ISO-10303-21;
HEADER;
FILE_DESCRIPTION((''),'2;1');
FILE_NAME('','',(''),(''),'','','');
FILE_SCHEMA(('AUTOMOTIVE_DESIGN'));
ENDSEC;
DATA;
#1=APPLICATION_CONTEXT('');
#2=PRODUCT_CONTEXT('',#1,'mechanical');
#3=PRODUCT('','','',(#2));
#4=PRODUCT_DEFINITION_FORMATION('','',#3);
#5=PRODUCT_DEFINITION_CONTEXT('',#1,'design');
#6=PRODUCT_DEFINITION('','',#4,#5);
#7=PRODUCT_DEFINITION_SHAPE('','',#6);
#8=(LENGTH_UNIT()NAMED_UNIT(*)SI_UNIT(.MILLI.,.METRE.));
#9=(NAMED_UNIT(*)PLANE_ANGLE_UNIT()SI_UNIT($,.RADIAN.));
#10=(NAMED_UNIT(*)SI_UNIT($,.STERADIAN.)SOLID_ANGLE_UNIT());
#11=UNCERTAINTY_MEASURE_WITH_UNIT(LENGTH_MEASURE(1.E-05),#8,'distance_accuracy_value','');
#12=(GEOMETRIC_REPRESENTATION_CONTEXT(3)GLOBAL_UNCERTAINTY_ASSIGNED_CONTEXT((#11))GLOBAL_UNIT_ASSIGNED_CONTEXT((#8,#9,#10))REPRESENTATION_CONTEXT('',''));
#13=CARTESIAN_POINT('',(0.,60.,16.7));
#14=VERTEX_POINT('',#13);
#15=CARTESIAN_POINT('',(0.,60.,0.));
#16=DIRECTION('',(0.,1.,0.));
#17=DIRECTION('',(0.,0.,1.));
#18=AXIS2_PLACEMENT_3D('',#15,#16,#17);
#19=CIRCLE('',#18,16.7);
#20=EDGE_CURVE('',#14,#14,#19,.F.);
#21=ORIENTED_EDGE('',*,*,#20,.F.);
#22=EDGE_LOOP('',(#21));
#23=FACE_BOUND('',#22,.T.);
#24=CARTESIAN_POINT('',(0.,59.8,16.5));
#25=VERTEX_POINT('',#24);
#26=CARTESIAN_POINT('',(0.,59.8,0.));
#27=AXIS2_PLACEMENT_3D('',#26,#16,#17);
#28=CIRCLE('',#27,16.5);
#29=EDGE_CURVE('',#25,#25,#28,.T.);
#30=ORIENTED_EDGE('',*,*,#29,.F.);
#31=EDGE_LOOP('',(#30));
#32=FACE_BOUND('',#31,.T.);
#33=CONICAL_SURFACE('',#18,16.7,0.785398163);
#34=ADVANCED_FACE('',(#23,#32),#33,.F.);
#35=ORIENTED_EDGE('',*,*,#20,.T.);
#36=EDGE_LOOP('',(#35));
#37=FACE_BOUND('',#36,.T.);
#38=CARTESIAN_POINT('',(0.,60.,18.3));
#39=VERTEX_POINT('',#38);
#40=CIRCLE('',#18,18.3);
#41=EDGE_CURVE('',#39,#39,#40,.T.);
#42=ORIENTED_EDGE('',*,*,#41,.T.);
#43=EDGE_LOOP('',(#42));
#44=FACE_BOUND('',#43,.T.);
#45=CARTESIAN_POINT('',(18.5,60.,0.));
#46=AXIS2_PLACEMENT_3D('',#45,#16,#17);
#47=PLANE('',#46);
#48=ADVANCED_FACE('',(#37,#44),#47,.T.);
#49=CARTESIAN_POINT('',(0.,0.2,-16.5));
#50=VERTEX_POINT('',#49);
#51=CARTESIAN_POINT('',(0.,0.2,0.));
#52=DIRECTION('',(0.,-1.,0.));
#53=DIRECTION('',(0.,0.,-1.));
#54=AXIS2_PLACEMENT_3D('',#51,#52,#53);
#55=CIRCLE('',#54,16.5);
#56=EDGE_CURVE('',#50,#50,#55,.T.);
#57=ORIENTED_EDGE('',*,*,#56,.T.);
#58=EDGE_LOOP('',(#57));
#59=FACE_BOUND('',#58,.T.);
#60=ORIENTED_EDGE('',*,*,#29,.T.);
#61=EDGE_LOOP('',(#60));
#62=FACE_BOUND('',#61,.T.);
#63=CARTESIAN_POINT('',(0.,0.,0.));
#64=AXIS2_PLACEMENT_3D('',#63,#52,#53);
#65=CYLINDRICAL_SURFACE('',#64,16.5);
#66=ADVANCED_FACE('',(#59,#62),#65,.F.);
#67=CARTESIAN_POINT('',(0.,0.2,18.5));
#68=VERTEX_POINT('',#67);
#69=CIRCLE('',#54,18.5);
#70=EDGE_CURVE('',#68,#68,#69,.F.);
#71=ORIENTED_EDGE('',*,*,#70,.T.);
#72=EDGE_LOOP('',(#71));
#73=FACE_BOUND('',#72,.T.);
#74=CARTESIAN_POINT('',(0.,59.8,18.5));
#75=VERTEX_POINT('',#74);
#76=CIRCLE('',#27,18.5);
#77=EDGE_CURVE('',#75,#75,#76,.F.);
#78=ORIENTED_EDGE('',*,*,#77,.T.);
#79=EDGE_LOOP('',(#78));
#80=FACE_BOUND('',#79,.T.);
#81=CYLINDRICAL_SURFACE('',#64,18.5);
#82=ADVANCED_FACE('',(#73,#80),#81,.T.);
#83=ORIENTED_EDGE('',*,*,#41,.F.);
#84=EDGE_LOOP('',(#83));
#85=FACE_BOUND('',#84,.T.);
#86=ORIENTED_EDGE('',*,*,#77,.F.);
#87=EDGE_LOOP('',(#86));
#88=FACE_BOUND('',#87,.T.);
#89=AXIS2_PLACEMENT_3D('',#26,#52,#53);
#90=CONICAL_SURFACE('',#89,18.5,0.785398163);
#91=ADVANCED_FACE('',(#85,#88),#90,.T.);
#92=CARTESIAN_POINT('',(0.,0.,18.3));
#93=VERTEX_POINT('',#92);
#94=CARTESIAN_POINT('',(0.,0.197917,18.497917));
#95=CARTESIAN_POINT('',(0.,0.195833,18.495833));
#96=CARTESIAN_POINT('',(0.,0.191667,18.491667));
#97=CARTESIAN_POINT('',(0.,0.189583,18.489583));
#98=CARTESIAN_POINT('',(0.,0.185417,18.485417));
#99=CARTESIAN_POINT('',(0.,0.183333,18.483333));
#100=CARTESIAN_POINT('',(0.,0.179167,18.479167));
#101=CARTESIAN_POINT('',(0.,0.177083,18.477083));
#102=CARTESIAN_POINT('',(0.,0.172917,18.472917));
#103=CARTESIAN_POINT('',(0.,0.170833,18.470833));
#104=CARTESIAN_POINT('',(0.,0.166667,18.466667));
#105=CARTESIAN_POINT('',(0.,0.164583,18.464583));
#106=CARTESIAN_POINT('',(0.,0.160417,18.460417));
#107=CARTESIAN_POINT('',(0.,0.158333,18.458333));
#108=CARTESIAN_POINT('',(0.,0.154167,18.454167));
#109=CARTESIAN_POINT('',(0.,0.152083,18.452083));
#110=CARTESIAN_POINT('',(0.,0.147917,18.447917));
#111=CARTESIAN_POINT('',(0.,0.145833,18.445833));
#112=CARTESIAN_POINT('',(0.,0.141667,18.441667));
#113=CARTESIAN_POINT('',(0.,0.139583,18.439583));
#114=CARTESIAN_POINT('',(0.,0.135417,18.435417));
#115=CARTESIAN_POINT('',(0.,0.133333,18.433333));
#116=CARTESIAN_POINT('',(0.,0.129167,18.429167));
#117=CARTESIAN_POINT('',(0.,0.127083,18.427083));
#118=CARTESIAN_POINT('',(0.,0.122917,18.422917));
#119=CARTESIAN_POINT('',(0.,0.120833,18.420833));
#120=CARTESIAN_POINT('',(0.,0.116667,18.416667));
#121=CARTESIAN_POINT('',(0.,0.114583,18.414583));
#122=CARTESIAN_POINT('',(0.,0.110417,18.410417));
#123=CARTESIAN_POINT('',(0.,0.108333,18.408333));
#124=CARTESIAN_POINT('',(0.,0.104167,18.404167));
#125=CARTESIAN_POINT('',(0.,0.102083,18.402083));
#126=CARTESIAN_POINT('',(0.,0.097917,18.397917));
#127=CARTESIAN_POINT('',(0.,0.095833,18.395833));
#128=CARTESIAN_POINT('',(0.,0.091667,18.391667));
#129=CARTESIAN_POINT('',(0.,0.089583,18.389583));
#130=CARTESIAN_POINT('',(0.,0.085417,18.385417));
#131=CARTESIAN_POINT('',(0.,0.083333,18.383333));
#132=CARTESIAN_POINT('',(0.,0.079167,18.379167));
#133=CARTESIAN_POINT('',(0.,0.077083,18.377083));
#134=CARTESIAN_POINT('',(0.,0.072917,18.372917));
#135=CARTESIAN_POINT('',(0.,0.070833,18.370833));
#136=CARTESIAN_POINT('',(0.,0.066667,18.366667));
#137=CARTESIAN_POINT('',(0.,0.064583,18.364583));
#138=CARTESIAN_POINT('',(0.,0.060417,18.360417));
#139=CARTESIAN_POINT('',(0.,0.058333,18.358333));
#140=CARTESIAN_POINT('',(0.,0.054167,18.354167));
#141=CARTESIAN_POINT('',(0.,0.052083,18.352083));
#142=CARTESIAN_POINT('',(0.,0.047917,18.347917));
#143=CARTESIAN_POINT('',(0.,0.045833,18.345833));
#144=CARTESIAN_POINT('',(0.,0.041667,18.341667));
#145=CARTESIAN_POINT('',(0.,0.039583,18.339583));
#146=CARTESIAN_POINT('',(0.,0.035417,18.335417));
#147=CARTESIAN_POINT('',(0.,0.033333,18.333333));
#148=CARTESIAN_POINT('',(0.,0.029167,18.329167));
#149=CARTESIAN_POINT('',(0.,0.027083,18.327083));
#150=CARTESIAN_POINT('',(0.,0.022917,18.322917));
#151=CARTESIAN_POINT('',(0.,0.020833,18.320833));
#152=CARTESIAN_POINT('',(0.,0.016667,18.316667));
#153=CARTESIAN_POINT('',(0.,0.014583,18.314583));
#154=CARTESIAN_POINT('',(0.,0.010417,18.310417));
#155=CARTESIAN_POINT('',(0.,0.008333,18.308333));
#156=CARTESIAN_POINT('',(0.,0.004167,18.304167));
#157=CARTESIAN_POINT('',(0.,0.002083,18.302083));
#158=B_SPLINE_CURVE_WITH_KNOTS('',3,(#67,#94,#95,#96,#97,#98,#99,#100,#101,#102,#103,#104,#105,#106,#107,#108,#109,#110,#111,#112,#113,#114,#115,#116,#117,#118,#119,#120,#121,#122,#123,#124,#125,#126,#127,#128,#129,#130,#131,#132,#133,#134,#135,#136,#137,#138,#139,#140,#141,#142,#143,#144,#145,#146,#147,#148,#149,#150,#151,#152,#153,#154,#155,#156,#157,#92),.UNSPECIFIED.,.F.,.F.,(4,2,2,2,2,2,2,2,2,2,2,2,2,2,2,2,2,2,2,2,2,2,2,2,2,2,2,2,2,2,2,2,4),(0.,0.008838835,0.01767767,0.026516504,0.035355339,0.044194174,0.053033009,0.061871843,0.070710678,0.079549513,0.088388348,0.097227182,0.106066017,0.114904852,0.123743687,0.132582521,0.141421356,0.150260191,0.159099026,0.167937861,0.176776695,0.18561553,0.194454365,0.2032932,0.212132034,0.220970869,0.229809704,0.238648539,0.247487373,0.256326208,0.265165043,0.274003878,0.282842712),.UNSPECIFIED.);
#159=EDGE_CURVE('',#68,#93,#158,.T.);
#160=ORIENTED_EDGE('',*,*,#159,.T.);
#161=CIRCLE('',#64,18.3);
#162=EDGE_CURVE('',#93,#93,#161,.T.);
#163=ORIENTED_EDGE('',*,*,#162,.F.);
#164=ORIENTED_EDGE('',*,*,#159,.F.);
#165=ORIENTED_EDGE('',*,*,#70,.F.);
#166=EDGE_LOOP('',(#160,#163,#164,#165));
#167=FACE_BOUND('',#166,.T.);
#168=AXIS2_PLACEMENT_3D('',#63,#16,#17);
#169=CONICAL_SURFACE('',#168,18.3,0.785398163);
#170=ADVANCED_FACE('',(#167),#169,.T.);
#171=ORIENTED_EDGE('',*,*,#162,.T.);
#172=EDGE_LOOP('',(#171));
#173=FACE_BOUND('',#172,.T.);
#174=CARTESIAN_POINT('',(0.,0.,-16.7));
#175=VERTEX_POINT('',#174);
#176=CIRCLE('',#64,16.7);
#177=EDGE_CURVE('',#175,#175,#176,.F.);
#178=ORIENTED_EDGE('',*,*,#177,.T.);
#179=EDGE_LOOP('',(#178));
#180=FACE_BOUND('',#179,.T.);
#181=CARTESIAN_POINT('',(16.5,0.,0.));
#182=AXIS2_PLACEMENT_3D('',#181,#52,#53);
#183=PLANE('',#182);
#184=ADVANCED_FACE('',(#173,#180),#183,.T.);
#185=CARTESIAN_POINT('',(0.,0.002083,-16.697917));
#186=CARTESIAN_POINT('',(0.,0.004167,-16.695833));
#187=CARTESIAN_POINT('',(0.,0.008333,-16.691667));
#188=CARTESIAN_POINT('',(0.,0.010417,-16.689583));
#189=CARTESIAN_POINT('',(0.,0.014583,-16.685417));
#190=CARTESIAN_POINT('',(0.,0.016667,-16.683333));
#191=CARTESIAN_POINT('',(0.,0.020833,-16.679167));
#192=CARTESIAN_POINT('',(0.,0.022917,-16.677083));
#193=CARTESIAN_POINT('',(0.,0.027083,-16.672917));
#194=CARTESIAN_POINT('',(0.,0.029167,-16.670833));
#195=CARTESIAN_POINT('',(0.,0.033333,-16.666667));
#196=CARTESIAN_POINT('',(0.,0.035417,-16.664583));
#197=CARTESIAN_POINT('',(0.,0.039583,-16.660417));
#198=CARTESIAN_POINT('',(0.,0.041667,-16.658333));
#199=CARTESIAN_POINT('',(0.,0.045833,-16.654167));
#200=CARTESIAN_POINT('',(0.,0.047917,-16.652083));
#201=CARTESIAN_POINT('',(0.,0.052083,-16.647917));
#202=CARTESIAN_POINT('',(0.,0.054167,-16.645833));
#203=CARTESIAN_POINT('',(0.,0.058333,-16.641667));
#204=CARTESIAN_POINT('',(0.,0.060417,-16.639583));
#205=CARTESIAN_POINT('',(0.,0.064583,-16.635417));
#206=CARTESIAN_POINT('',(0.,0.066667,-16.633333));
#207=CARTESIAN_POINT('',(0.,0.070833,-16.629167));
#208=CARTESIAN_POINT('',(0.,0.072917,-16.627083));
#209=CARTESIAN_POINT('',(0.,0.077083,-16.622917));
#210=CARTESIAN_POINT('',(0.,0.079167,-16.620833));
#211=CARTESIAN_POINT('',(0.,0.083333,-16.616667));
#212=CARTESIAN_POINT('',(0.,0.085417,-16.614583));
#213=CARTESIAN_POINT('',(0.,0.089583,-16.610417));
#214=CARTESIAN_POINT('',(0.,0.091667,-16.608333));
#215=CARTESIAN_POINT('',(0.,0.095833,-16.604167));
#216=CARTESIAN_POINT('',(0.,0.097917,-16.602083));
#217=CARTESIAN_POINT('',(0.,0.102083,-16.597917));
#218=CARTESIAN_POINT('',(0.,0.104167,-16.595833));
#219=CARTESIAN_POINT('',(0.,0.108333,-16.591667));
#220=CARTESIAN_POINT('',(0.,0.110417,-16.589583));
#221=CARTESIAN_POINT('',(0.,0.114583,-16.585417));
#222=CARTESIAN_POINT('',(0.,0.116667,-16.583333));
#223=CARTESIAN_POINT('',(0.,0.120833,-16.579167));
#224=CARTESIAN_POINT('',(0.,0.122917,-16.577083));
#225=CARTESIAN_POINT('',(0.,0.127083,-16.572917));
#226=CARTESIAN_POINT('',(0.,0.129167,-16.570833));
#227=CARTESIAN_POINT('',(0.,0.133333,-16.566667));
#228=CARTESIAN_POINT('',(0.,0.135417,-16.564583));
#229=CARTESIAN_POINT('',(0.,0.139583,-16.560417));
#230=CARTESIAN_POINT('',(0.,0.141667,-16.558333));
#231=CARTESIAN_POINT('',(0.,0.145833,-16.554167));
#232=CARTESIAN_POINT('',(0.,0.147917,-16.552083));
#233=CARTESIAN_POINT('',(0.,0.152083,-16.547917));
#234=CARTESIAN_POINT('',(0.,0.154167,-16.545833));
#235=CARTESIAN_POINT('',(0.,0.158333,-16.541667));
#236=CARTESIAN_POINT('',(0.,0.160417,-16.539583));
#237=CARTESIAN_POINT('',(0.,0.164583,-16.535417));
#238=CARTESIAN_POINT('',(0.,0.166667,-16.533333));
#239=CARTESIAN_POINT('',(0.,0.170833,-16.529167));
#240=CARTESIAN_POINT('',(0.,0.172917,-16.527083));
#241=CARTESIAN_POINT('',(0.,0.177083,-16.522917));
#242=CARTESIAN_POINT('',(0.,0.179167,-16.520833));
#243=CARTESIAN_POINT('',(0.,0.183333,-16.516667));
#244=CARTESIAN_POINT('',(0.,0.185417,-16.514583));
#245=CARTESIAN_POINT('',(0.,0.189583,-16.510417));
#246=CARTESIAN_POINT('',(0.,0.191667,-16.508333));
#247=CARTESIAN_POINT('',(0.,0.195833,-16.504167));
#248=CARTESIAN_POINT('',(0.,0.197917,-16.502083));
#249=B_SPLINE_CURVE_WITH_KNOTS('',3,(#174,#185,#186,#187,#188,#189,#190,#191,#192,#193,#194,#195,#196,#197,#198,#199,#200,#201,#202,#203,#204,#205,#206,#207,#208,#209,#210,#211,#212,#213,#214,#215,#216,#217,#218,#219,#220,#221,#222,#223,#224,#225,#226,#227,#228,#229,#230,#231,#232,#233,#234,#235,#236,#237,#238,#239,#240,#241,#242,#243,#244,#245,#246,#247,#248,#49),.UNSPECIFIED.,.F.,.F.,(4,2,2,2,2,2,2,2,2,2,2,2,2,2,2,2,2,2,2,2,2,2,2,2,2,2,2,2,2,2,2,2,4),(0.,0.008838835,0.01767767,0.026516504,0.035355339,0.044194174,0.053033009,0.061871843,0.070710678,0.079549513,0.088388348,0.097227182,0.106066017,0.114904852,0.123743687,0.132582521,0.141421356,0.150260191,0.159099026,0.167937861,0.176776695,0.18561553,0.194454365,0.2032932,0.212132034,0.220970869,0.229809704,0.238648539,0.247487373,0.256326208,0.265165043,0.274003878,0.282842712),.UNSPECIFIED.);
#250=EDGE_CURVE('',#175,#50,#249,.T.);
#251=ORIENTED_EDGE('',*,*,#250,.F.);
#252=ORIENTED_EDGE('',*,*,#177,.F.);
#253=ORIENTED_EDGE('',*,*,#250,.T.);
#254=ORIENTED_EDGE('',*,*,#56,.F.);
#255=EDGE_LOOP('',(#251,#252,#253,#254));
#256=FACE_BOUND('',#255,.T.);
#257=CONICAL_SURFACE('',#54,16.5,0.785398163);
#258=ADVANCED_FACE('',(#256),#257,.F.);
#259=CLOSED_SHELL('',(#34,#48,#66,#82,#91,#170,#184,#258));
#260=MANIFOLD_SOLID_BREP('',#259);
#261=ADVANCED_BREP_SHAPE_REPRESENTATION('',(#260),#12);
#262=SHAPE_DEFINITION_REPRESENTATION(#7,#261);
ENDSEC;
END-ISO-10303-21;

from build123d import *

# Parameters (mm, degrees)
CHAMFER1_SIZE = 0.2


with BuildPart() as part:
    # Sketch1 → Revolve1 (revolve)
    with BuildSketch(Plane.XY, mode=Mode.PRIVATE) as revolve1_sk:
        Polygon((16.5, 0), (18.5, 0), (18.5, 4), (18.5, 56), (18.5, 60), (16.5, 60), (16.5, 56), (16.5, 4), align=None)
    revolve(revolve1_sk.sketch.rotate(Axis((0, 0, 0), (0, 1, 0)), 90), axis=Axis((0, 0, 0), (0, 1, 0)))

    # Chamfer1
    chamfer1_edges = [part.edges().sort_by_distance(p)[0] for p in [
        (0, 0, 16.5),
        (0, 60, 16.5),
        (0, 60, 18.5),
        (0, 0, 18.5),
    ]]
    chamfer(chamfer1_edges, length=CHAMFER1_SIZE)


solid = part.part
